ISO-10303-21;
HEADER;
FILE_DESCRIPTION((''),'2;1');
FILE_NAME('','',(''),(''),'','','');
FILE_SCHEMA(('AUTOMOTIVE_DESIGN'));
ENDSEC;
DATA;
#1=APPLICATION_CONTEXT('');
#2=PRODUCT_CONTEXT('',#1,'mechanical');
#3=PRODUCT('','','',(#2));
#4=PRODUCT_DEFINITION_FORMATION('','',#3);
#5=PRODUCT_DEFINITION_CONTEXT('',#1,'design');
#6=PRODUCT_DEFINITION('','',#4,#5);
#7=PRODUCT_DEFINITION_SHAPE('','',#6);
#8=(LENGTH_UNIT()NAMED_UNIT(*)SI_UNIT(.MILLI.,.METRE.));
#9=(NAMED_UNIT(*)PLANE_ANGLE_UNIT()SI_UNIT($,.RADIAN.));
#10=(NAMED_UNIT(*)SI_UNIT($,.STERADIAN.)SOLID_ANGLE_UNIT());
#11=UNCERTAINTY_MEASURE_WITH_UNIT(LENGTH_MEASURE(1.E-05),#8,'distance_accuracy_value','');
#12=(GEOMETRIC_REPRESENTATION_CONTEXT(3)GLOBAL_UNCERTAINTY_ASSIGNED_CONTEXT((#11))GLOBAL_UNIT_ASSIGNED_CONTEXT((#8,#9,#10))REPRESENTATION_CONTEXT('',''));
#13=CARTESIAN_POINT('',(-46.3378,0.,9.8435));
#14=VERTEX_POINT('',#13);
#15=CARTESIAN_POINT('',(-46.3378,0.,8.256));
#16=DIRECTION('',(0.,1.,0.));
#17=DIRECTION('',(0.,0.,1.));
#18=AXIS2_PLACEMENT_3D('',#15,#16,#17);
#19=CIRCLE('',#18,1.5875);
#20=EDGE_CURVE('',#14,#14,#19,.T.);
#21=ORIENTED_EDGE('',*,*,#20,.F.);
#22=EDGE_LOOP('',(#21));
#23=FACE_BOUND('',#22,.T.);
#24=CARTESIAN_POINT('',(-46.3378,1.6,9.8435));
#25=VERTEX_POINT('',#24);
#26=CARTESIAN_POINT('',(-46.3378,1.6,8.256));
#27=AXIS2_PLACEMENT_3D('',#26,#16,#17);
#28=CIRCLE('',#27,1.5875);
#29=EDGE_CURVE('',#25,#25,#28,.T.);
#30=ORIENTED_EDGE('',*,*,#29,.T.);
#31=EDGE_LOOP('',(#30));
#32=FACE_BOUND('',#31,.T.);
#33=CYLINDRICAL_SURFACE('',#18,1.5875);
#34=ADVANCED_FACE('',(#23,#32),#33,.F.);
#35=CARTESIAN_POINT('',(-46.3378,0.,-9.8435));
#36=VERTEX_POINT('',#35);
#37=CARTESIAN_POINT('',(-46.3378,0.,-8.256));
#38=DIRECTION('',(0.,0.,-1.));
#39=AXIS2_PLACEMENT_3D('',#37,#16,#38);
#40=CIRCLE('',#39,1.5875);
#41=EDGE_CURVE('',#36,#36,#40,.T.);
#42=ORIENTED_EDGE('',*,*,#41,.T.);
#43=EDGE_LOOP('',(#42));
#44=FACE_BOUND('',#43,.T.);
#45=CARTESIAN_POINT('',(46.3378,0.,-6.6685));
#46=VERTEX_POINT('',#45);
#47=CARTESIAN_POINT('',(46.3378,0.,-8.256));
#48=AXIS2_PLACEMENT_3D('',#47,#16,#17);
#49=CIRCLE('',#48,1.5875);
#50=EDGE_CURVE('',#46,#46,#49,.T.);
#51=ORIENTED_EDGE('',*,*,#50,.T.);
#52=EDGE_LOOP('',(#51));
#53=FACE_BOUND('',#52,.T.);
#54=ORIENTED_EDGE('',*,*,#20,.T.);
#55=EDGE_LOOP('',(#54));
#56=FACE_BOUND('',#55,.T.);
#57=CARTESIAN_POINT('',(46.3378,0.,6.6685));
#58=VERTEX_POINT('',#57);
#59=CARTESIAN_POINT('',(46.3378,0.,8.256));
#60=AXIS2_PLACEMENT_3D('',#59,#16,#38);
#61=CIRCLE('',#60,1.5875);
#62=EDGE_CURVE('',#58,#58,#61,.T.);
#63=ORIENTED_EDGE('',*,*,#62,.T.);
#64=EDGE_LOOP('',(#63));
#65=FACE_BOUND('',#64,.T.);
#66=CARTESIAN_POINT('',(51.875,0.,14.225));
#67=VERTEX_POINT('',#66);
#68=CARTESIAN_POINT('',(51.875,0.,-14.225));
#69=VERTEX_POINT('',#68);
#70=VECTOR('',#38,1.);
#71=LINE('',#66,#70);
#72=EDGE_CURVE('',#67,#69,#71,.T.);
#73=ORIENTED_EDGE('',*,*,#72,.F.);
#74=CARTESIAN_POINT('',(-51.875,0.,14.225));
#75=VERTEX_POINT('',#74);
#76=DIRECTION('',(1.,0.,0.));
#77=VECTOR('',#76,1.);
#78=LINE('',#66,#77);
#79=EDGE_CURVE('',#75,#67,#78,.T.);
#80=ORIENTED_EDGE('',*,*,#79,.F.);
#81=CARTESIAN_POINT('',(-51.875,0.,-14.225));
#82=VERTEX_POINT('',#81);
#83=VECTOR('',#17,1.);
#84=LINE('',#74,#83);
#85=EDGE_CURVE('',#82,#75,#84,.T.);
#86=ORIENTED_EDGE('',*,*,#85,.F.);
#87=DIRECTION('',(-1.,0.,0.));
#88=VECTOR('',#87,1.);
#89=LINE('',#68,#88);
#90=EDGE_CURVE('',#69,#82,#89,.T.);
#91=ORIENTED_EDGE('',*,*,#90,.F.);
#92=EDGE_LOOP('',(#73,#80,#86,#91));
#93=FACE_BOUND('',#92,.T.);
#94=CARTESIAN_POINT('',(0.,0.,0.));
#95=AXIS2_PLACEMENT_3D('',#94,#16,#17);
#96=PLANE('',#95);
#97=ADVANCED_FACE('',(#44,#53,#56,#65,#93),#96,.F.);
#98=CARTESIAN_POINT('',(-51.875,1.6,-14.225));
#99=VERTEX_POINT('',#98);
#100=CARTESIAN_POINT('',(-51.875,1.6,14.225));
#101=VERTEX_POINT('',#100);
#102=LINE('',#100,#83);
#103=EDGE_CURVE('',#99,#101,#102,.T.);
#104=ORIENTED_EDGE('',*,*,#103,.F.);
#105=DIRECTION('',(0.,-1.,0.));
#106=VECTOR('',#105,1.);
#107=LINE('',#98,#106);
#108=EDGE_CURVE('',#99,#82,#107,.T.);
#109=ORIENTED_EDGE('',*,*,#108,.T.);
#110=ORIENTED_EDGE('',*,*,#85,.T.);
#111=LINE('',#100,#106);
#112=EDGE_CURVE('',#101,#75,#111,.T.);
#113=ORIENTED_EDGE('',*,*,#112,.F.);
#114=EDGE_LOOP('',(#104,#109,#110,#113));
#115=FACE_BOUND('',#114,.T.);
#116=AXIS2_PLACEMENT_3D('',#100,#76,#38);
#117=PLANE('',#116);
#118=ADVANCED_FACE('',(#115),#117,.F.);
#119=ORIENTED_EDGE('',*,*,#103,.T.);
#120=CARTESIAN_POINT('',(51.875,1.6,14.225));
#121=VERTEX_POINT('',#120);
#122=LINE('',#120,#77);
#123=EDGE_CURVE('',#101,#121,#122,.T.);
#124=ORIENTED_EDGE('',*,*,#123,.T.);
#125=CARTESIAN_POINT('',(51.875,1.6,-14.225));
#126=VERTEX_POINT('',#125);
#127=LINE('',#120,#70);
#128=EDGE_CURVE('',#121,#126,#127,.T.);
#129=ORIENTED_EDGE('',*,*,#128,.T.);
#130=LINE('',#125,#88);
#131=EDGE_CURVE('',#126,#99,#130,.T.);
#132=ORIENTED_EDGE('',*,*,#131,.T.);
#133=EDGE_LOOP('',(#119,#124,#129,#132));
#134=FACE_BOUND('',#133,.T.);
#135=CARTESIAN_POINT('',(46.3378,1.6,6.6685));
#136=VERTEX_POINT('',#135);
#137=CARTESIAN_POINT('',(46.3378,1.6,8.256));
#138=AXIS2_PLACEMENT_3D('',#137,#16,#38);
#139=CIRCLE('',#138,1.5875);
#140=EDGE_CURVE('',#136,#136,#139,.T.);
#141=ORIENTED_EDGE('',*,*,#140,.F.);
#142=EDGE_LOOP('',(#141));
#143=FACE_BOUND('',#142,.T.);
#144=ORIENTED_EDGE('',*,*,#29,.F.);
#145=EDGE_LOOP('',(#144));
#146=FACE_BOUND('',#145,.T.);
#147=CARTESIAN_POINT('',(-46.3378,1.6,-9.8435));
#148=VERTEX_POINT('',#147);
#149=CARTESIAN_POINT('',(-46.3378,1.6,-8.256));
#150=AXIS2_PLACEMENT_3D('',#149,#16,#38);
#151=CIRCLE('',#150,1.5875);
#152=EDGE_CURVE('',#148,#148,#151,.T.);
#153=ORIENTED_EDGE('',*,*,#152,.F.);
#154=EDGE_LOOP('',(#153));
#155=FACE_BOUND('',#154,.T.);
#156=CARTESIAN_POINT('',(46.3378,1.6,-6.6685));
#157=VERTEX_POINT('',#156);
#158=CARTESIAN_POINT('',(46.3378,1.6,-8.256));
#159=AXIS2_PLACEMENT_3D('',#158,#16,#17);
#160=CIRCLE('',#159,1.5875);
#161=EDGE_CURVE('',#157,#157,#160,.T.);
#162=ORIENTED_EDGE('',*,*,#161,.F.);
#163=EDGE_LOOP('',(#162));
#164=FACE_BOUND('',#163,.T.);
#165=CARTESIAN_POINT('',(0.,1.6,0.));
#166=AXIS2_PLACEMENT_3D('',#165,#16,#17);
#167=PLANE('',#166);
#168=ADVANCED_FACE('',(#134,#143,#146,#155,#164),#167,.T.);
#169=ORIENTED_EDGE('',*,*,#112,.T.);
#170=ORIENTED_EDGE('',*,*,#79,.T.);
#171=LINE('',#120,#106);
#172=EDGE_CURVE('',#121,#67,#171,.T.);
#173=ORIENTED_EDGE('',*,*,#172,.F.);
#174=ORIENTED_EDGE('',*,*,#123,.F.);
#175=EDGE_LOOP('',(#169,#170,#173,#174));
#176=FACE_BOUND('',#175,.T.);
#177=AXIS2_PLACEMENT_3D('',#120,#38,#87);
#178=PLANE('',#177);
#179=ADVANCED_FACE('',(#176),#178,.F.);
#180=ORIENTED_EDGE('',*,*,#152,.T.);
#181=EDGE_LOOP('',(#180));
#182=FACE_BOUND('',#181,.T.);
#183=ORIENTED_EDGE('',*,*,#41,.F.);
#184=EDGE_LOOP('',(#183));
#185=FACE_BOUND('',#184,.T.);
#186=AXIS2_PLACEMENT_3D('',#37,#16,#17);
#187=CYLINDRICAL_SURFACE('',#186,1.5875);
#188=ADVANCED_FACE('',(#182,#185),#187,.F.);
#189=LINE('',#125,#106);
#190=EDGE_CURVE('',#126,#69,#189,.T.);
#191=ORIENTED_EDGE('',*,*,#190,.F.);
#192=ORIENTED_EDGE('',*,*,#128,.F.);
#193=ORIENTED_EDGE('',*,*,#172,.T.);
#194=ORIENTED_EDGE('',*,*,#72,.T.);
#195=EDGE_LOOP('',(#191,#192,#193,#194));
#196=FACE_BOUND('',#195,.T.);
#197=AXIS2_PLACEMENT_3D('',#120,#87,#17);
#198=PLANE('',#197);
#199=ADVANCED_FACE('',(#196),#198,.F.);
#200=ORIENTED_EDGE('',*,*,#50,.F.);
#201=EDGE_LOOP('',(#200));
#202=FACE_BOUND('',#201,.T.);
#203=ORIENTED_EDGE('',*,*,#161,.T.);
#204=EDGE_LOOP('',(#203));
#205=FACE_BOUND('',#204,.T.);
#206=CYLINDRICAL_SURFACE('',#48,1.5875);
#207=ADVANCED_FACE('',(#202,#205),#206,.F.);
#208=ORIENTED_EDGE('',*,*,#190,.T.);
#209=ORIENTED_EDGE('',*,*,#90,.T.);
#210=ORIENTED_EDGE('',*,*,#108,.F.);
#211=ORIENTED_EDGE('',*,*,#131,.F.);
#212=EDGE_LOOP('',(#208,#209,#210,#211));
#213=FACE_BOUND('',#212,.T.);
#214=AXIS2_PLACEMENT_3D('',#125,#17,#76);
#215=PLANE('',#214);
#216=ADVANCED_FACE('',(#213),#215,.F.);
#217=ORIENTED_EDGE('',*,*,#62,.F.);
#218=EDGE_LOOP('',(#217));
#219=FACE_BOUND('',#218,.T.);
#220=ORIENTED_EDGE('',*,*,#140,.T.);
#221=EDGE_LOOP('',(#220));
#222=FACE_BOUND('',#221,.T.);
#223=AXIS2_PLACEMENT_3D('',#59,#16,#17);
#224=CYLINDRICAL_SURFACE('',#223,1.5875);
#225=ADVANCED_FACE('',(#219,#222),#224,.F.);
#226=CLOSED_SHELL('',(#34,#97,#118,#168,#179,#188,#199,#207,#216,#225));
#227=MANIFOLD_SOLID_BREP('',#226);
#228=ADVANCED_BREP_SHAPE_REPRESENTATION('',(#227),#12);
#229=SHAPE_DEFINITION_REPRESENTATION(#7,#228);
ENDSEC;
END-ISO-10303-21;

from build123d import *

# Parameters (mm, degrees)
SKETCH1_W           = 103.75
SKETCH1_H           = 28.45
BOSS_EXTRUDE1_DEPTH = 1.6
SKETCH2_R           = 1.5875
CUT_EXTRUDE1_DEPTH  = 2.6


with BuildPart() as part:
    # Sketch1 → Boss-Extrude1 (new body)
    with BuildSketch(Plane(origin=(0, 0, 0), x_dir=(1, 0, 0), z_dir=(0, 1, 0))):
        Rectangle(SKETCH1_W, SKETCH1_H)
    extrude(amount=BOSS_EXTRUDE1_DEPTH)

    # Sketch2 → Cut-Extrude1 (cut, through all)
    with BuildSketch(Plane(origin=(0, 1.6, 0), x_dir=(1, 0, 0), z_dir=(0, 1, 0))):
        with Locations((46.3378, 8.256)):
            Circle(SKETCH2_R)
        with Locations((46.3378, -8.256)):
            Circle(SKETCH2_R)
        with Locations((-46.3378, 8.256)):
            Circle(SKETCH2_R)
        with Locations((-46.3378, -8.256)):
            Circle(SKETCH2_R)
    extrude(amount=-CUT_EXTRUDE1_DEPTH, mode=Mode.SUBTRACT)


solid = part.part
